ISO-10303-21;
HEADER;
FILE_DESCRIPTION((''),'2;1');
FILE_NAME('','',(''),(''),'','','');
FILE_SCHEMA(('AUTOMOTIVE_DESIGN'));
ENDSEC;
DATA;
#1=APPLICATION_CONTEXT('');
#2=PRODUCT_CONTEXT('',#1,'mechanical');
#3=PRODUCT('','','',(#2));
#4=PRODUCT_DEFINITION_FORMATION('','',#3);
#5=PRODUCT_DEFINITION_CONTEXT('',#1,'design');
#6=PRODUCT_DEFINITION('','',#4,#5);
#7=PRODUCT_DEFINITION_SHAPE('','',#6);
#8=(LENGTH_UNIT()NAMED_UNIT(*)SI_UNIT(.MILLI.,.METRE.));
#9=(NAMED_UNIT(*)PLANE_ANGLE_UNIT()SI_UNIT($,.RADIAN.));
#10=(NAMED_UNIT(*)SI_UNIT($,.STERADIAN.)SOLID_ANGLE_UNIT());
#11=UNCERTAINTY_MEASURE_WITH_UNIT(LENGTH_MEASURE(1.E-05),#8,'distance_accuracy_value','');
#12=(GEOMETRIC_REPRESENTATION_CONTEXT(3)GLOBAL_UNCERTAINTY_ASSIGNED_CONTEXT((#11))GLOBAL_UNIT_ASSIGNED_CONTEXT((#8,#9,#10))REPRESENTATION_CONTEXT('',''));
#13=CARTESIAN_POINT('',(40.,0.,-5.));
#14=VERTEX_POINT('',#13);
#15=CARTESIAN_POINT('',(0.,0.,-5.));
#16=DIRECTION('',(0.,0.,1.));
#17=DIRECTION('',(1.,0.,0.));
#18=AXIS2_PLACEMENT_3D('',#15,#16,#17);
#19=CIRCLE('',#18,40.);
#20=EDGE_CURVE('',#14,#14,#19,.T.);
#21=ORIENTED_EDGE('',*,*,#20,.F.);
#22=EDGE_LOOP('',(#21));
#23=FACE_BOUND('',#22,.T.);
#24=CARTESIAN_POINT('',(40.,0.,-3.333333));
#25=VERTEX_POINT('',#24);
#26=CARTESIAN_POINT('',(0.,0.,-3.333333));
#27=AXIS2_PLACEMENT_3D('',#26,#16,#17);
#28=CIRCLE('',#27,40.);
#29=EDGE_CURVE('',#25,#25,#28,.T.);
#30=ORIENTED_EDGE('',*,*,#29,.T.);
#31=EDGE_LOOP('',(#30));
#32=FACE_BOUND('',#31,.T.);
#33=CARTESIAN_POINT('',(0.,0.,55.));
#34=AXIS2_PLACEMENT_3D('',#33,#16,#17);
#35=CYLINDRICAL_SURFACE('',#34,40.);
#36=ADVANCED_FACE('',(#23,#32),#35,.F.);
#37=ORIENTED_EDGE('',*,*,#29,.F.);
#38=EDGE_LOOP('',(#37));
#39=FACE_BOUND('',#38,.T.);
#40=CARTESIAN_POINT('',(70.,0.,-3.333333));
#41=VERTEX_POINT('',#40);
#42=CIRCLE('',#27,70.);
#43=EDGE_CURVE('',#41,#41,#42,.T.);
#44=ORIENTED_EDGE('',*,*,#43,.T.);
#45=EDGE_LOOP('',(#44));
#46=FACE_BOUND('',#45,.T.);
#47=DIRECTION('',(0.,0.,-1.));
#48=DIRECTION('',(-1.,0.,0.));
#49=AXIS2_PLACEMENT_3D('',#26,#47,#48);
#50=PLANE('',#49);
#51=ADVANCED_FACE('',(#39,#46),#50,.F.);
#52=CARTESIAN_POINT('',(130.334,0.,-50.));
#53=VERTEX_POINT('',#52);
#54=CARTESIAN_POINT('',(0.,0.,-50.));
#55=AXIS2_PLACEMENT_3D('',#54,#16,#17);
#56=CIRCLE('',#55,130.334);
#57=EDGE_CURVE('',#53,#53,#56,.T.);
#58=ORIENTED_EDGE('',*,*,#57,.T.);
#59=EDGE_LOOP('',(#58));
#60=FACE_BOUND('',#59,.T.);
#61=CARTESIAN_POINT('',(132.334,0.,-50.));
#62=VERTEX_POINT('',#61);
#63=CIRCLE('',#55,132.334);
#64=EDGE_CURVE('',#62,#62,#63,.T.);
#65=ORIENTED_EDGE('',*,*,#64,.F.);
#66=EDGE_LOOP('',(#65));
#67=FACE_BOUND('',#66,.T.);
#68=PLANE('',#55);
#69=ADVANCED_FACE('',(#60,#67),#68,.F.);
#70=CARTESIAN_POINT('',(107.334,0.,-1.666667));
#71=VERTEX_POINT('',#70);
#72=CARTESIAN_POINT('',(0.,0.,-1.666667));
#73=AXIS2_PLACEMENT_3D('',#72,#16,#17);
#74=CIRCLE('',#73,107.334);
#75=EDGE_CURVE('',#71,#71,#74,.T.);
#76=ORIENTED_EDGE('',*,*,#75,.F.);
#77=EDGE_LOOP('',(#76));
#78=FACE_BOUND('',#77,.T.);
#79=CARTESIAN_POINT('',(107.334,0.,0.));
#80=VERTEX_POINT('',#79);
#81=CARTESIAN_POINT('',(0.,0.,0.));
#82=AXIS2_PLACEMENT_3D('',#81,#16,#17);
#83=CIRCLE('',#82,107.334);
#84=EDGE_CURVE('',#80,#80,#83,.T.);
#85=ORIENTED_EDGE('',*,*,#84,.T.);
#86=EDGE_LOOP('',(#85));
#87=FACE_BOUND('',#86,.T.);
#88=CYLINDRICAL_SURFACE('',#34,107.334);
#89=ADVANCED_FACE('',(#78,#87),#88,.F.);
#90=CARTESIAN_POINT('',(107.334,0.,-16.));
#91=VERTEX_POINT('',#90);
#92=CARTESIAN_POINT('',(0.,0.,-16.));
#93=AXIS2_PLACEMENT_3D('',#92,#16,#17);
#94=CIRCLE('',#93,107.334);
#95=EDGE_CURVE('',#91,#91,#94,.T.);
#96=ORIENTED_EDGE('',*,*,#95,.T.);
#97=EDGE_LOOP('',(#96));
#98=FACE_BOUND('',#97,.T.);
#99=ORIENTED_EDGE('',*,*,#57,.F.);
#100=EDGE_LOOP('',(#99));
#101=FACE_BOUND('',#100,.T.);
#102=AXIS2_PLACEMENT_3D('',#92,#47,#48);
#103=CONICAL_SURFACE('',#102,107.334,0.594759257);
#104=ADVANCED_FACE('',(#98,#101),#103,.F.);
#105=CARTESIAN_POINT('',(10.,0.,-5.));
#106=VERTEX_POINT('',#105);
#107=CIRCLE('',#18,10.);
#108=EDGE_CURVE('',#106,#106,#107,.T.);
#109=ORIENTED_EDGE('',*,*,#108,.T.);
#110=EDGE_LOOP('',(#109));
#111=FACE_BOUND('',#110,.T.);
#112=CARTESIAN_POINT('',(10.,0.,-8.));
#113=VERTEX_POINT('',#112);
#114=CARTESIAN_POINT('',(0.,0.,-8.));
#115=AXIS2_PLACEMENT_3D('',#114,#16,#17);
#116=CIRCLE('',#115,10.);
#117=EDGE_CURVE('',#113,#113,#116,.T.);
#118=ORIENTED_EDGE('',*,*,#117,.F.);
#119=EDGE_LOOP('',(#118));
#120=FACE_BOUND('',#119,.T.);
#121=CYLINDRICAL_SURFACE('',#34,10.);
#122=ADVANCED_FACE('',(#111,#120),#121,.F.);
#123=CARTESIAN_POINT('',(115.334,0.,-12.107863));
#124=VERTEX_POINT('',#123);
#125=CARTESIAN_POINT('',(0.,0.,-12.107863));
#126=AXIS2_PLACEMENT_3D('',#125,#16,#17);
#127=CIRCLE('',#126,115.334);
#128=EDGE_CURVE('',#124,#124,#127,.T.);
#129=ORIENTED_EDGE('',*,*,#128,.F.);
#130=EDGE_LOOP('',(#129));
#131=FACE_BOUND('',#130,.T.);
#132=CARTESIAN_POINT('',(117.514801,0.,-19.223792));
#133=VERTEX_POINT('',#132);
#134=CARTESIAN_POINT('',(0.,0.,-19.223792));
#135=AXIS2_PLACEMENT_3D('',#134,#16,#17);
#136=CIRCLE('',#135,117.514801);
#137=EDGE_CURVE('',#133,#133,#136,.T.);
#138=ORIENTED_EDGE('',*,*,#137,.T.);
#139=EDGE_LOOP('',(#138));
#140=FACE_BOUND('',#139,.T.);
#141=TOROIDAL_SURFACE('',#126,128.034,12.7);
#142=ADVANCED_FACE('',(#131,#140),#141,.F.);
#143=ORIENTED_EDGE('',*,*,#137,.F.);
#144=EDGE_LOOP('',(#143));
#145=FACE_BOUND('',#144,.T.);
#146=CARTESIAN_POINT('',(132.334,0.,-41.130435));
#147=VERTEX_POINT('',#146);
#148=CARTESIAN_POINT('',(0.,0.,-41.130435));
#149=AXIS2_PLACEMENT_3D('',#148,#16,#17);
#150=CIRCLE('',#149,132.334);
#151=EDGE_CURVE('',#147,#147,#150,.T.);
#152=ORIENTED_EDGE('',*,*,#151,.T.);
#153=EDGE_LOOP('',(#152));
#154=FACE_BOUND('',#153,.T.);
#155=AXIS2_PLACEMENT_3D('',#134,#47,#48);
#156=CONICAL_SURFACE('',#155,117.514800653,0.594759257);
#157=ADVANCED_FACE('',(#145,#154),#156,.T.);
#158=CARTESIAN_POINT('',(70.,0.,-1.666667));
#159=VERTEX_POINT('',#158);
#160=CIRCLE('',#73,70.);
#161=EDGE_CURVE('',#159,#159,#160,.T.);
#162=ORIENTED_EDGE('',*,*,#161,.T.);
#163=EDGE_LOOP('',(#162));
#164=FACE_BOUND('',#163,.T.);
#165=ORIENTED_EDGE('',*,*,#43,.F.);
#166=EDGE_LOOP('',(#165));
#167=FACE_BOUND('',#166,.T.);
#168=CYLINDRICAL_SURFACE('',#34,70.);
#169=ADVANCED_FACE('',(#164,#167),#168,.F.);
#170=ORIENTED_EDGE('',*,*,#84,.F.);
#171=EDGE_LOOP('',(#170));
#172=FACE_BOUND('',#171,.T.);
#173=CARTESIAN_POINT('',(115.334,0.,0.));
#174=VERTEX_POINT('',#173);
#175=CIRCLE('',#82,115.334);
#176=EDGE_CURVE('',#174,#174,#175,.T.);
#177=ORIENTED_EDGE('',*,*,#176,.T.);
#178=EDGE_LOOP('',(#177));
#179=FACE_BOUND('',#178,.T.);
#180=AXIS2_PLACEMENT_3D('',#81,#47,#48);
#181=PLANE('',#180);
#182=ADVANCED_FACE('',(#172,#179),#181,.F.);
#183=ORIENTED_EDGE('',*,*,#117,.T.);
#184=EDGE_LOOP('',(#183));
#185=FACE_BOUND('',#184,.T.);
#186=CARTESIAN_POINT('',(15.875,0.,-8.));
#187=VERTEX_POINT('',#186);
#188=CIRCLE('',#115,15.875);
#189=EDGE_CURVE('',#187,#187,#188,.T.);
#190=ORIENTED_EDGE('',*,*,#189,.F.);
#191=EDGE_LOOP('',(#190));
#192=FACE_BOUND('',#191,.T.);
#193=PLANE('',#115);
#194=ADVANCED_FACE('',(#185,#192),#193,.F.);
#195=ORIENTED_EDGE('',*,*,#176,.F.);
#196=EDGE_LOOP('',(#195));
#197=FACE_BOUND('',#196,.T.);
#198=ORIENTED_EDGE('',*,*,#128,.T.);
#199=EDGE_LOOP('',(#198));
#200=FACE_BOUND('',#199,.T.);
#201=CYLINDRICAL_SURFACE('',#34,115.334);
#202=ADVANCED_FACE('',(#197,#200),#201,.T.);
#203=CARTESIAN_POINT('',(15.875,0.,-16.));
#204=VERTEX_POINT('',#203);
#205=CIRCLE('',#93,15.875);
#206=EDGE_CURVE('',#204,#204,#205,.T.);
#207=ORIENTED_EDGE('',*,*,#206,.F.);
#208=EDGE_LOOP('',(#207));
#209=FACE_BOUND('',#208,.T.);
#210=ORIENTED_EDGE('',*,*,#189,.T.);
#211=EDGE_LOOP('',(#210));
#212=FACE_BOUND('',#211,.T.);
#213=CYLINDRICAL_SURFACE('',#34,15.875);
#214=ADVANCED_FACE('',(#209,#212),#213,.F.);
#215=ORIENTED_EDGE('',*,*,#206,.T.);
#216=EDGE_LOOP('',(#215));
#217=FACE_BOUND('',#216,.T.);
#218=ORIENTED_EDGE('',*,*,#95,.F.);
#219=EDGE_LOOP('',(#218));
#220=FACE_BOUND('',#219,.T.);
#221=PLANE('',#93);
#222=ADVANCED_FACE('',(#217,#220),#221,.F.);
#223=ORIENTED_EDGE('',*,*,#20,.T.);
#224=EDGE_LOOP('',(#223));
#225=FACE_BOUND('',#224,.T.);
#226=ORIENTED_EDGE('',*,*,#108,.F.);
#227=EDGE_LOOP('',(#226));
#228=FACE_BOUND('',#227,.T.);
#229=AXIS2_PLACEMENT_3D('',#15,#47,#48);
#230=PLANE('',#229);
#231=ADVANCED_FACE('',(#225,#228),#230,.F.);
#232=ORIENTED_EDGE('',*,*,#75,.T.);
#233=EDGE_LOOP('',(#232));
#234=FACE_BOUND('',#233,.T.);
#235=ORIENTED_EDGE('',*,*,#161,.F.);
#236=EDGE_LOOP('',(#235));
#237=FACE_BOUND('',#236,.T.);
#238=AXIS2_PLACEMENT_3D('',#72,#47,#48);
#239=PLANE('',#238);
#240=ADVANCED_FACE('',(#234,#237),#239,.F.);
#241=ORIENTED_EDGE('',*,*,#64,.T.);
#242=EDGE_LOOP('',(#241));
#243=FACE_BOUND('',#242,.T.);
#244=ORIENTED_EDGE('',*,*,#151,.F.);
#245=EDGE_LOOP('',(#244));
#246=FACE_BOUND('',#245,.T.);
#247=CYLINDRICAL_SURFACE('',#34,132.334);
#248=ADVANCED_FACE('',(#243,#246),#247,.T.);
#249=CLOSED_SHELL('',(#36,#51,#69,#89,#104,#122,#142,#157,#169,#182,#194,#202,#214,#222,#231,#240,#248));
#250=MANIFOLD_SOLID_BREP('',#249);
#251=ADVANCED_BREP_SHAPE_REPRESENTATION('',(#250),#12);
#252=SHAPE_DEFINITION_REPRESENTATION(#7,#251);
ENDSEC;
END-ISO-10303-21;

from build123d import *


with BuildPart() as part:
    # Sketch1 → Revolve1 (revolve)
    with BuildSketch(Plane.YZ, mode=Mode.PRIVATE) as revolve1_sk:
        with BuildLine():
            Line((-107.334, 0), (-115.334, 0))
            Line((-115.334, 0), (-115.334, -12.1078633))
            ThreePointArc((-115.334, -12.1078633), (-115.891433721, -15.829164705), (-117.514800653, -19.22379227))
            Line((-117.514800653, -19.22379227), (-132.334, -41.130434783))
            Line((-132.334, -41.130434783), (-132.334, -50))
            Line((-132.334, -50), (-130.334, -50))
            Line((-130.334, -50), (-107.334, -16))
            Line((-107.334, -16), (-15.875, -16))
            Line((-15.875, -16), (-15.875, -8))
            Line((-15.875, -8), (-10, -8))
            Line((-10, -8), (-10, -5))
            Line((-10, -5), (-40, -5))
            Line((-40, -5), (-40, -3.333333333))
            Line((-40, -3.333333333), (-70, -3.333333333))
            Line((-70, -3.333333333), (-70, -1.666666667))
            Line((-70, -1.666666667), (-107.334, -1.666666667))
            Line((-107.334, -1.666666667), (-107.334, 0))
        make_face()
    revolve(revolve1_sk.sketch.rotate(Axis((0, 0, 55), (0, 0, -1)), 270), axis=Axis((0, 0, 55), (0, 0, -1)))


solid = part.part
